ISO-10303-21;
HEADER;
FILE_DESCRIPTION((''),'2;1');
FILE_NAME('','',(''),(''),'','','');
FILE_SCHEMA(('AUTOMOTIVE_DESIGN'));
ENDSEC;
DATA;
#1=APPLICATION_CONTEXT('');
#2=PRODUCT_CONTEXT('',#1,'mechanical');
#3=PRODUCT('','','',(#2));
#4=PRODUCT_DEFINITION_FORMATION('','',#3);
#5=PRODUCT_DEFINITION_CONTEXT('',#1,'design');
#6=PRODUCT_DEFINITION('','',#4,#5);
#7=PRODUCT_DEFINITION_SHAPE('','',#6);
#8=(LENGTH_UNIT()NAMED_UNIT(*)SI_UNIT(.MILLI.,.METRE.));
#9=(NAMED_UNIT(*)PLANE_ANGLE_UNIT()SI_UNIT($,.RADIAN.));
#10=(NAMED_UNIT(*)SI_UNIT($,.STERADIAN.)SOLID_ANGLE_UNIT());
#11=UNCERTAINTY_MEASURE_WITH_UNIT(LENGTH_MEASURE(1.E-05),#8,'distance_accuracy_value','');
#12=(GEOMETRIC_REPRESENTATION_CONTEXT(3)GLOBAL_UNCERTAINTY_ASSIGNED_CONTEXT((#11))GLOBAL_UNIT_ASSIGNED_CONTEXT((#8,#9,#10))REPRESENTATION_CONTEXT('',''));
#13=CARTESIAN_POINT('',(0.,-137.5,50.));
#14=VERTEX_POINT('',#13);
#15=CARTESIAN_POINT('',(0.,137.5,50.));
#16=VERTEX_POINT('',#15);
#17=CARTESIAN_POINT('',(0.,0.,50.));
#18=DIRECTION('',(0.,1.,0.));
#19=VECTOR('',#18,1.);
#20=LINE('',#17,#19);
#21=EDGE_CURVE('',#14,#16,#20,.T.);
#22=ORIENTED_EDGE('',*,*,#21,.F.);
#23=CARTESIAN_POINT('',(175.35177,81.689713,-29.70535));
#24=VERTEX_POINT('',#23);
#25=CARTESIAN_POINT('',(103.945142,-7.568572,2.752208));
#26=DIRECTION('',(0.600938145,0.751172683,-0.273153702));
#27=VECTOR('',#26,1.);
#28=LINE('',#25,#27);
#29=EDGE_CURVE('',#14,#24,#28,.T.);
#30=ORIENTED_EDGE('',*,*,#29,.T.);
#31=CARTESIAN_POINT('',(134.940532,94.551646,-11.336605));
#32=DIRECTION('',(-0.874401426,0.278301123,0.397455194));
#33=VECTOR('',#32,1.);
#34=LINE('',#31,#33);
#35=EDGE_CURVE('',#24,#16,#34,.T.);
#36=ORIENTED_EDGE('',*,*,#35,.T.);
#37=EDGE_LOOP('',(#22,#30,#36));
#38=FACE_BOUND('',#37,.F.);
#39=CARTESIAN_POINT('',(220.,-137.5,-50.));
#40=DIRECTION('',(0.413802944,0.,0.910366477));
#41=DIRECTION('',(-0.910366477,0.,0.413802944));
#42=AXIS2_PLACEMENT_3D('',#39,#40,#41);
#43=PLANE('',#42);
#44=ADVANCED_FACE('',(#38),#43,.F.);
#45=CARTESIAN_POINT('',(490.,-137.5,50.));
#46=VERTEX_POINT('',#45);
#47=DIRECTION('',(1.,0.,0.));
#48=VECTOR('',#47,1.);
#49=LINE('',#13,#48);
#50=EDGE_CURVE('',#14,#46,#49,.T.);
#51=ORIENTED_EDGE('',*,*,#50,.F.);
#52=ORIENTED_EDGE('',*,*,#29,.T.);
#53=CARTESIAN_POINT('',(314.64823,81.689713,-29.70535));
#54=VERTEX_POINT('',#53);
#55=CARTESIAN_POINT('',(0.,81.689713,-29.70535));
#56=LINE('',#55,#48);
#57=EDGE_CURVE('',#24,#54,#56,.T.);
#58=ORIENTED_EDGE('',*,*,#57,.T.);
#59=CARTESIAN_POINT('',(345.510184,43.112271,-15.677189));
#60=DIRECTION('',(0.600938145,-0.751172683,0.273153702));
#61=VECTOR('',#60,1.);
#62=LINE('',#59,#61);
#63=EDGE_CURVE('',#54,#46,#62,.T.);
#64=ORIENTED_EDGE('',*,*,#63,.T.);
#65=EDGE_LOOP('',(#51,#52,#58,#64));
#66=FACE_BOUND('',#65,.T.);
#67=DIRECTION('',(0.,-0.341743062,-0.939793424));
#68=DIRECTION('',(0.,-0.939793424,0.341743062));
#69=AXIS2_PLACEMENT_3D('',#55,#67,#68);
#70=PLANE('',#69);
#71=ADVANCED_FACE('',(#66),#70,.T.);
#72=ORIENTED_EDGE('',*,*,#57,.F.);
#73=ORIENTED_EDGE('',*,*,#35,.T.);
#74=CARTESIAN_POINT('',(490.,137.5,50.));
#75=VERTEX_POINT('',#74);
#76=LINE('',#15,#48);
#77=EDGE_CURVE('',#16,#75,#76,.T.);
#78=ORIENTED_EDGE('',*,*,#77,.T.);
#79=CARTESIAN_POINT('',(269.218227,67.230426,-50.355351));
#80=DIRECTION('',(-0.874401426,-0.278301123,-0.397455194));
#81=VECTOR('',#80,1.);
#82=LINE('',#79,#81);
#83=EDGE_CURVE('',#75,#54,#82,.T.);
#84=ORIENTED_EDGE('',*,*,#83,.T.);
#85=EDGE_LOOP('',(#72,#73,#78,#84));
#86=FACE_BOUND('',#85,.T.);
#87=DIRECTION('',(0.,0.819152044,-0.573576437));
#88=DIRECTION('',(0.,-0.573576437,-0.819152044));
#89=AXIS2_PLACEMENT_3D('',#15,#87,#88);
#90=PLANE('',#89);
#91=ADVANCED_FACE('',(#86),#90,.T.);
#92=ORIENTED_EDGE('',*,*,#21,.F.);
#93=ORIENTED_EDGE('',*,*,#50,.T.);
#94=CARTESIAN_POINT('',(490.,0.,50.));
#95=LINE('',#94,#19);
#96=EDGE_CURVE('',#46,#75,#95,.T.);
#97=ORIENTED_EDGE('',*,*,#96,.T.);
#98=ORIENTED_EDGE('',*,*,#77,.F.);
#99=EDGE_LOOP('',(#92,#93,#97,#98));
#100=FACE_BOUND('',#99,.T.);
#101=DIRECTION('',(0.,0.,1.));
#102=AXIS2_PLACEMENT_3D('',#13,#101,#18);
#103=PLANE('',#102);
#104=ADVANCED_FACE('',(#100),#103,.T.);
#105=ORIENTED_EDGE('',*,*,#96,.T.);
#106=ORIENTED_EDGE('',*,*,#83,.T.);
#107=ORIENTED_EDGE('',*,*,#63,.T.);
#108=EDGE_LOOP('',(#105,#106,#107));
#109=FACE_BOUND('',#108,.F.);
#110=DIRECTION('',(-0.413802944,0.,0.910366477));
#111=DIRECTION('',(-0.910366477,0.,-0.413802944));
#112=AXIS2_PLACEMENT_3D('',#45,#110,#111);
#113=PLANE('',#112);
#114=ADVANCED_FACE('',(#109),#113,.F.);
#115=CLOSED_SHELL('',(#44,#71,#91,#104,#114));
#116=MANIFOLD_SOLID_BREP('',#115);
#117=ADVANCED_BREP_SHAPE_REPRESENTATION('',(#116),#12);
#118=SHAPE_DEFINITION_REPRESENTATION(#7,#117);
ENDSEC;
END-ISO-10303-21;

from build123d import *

# Parameters (mm, degrees)
F0_W     = 275
F0_H     = 100
F1_DEPTH = 490
F3_DEPTH = 275.001
F5_DEPTH = 490.001


with BuildPart() as f1:
    # F0 (on Right) → F1 (new body)
    with BuildSketch(Plane.YZ):
        Rectangle(F0_W, F0_H)
    extrude(amount=F1_DEPTH)

    # F2 (on face) → F3 (cut, through all)
    with BuildSketch(Plane.XZ.offset(137.5)):
        Polygon((0, 50), (0, -50), (220, -50), align=None)
        Polygon((490, 50), (270, -50), (490, -50), align=None)
    extrude(amount=-F3_DEPTH, mode=Mode.SUBTRACT)

    # F4 (on Right) → F5 (cut, through all)
    with BuildSketch(Plane.YZ):
        Polygon((137.5, 50), (81.689713, -29.70535), (-137.5, 50), (-137.5, -50), (137.5, -50), align=None)
    extrude(amount=F5_DEPTH, mode=Mode.SUBTRACT)


solid = f1.part
